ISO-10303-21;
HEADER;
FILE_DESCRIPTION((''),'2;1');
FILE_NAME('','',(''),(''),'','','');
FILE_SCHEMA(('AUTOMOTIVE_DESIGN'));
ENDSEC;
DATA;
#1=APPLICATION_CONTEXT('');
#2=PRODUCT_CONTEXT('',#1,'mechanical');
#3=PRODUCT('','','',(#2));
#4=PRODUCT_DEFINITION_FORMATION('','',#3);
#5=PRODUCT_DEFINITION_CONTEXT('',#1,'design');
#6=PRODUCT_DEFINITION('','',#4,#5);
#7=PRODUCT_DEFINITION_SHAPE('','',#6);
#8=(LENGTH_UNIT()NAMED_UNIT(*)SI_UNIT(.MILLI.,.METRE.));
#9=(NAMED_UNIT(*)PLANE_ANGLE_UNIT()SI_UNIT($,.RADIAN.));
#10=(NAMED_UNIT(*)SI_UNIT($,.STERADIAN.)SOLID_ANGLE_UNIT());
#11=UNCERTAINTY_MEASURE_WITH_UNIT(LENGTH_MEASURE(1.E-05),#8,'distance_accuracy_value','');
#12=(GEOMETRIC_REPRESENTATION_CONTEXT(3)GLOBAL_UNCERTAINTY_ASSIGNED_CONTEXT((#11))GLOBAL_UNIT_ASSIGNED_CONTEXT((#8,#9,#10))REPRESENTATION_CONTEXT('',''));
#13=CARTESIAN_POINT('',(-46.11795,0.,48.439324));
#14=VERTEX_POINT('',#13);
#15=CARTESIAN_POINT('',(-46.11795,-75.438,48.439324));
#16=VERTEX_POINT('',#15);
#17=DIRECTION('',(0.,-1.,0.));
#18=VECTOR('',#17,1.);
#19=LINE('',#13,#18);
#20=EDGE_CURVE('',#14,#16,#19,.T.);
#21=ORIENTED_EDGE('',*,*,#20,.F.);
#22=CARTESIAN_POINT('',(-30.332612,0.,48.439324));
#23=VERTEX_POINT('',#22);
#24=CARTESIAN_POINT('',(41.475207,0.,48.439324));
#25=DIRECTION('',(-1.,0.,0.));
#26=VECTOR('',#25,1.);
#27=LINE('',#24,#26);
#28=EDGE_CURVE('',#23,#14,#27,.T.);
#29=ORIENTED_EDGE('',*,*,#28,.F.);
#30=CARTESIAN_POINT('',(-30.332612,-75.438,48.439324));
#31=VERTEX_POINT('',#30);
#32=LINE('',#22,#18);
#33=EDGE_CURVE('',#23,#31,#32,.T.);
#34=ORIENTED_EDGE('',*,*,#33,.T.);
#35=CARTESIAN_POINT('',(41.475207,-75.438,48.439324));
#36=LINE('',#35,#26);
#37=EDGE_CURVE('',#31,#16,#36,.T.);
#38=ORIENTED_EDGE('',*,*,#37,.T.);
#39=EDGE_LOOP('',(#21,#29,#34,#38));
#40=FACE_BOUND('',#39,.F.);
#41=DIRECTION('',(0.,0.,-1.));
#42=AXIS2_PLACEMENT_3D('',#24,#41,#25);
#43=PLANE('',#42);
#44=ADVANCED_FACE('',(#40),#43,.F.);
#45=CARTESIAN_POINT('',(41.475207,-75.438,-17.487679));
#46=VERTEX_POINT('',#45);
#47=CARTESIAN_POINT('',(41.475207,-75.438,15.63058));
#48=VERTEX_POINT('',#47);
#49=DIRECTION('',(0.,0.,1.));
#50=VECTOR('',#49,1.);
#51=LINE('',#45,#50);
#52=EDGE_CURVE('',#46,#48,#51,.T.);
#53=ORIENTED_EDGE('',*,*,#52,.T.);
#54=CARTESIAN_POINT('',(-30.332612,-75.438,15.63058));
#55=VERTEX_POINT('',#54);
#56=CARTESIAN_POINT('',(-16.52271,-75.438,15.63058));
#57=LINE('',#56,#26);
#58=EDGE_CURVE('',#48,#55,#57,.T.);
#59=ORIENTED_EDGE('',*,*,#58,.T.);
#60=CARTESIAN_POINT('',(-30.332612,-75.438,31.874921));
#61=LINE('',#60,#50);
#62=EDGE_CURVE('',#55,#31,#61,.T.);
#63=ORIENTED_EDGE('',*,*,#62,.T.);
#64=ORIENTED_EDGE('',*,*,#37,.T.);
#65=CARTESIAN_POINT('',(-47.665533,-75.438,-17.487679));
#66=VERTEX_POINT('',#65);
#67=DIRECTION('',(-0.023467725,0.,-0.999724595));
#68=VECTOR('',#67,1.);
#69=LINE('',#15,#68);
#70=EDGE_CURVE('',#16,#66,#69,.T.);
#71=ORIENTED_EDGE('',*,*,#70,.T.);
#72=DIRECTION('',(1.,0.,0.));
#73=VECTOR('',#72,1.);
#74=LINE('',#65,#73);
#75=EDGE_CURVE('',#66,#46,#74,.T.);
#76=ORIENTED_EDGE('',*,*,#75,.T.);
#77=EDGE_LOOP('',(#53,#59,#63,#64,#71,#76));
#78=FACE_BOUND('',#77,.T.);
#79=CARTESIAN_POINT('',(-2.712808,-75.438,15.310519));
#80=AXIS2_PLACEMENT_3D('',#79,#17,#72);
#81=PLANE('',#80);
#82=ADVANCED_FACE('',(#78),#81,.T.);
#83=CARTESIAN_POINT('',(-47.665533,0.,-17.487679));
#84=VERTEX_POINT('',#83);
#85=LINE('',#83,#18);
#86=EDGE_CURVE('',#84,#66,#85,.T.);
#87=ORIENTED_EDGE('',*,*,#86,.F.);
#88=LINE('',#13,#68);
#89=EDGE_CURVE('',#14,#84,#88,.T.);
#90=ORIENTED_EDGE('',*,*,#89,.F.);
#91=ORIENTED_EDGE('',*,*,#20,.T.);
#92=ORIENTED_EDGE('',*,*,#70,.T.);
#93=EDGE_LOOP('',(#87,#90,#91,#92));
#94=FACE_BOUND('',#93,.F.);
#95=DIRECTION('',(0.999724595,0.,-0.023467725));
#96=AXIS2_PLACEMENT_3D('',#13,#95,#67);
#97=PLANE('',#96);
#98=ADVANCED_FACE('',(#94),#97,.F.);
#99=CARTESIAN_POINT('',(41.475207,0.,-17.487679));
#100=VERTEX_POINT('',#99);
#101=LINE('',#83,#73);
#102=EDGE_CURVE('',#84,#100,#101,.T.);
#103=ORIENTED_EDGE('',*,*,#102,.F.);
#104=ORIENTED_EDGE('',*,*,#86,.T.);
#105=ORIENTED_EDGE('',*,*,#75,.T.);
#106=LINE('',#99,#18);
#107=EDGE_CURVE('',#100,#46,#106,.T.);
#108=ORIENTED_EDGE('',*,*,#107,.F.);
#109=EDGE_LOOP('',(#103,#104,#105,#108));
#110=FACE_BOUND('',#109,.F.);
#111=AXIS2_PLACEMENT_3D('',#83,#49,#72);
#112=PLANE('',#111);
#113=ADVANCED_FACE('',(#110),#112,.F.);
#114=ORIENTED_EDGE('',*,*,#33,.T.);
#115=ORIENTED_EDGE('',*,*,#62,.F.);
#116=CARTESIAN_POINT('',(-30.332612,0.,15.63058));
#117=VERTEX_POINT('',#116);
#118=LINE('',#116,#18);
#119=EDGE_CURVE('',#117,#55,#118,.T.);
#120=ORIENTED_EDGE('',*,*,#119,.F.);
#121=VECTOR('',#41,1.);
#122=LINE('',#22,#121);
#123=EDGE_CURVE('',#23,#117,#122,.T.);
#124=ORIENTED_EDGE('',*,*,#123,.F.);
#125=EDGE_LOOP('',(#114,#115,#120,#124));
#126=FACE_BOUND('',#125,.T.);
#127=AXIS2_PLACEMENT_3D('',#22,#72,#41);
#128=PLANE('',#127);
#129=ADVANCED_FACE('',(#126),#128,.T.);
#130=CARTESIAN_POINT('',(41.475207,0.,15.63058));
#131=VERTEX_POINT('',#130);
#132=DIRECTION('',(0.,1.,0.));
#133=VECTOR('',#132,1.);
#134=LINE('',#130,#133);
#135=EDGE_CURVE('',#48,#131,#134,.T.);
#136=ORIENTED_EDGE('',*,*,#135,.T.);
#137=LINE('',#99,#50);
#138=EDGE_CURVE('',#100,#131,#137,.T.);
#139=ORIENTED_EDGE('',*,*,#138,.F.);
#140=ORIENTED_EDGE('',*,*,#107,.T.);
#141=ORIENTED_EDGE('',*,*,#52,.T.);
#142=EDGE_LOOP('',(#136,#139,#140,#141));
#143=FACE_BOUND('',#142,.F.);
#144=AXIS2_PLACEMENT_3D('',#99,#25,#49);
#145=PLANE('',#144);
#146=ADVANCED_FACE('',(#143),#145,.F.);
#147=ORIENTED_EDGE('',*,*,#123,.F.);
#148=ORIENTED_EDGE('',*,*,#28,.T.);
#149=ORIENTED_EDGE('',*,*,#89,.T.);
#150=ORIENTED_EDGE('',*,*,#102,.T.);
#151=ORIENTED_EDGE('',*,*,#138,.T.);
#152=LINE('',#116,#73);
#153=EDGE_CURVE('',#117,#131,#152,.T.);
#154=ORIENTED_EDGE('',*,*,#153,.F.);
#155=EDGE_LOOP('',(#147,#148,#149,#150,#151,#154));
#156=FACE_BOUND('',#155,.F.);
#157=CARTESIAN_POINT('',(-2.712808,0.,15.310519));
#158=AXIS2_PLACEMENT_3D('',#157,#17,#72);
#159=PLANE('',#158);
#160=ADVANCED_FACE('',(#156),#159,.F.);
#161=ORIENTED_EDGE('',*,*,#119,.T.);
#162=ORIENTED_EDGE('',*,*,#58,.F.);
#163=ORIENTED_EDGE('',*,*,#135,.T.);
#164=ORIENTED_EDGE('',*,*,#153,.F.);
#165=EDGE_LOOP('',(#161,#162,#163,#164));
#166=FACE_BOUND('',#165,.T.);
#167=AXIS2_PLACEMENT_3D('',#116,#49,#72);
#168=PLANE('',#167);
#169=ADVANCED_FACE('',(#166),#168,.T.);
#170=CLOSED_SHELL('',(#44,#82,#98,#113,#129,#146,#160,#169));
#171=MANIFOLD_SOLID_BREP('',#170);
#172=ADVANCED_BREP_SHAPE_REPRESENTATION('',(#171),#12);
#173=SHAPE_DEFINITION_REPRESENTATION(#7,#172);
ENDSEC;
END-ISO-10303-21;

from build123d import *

# Parameters (mm, degrees)
F1_DEPTH = 75.438
F3_DEPTH = 95.758


with BuildPart() as f1:
    # F0 (on Front) → F1 (new body)
    with BuildSketch(Plane.XZ):
        Polygon((41.475207, 48.439324), (-46.11795, 48.439324), (-47.665533, -17.487679), (41.475207, -17.487679), align=None)
    extrude(amount=F1_DEPTH)

    # F2 (on Front) → F3 (cut)
    with BuildSketch(Plane.XZ):
        Polygon((33.737291, 48.439324), (-30.332612, 48.439324), (-30.332612, 15.63058), (42.094238, 15.63058), (42.094238, 48.439324), align=None)
    extrude(amount=F3_DEPTH, mode=Mode.SUBTRACT)


solid = f1.part
